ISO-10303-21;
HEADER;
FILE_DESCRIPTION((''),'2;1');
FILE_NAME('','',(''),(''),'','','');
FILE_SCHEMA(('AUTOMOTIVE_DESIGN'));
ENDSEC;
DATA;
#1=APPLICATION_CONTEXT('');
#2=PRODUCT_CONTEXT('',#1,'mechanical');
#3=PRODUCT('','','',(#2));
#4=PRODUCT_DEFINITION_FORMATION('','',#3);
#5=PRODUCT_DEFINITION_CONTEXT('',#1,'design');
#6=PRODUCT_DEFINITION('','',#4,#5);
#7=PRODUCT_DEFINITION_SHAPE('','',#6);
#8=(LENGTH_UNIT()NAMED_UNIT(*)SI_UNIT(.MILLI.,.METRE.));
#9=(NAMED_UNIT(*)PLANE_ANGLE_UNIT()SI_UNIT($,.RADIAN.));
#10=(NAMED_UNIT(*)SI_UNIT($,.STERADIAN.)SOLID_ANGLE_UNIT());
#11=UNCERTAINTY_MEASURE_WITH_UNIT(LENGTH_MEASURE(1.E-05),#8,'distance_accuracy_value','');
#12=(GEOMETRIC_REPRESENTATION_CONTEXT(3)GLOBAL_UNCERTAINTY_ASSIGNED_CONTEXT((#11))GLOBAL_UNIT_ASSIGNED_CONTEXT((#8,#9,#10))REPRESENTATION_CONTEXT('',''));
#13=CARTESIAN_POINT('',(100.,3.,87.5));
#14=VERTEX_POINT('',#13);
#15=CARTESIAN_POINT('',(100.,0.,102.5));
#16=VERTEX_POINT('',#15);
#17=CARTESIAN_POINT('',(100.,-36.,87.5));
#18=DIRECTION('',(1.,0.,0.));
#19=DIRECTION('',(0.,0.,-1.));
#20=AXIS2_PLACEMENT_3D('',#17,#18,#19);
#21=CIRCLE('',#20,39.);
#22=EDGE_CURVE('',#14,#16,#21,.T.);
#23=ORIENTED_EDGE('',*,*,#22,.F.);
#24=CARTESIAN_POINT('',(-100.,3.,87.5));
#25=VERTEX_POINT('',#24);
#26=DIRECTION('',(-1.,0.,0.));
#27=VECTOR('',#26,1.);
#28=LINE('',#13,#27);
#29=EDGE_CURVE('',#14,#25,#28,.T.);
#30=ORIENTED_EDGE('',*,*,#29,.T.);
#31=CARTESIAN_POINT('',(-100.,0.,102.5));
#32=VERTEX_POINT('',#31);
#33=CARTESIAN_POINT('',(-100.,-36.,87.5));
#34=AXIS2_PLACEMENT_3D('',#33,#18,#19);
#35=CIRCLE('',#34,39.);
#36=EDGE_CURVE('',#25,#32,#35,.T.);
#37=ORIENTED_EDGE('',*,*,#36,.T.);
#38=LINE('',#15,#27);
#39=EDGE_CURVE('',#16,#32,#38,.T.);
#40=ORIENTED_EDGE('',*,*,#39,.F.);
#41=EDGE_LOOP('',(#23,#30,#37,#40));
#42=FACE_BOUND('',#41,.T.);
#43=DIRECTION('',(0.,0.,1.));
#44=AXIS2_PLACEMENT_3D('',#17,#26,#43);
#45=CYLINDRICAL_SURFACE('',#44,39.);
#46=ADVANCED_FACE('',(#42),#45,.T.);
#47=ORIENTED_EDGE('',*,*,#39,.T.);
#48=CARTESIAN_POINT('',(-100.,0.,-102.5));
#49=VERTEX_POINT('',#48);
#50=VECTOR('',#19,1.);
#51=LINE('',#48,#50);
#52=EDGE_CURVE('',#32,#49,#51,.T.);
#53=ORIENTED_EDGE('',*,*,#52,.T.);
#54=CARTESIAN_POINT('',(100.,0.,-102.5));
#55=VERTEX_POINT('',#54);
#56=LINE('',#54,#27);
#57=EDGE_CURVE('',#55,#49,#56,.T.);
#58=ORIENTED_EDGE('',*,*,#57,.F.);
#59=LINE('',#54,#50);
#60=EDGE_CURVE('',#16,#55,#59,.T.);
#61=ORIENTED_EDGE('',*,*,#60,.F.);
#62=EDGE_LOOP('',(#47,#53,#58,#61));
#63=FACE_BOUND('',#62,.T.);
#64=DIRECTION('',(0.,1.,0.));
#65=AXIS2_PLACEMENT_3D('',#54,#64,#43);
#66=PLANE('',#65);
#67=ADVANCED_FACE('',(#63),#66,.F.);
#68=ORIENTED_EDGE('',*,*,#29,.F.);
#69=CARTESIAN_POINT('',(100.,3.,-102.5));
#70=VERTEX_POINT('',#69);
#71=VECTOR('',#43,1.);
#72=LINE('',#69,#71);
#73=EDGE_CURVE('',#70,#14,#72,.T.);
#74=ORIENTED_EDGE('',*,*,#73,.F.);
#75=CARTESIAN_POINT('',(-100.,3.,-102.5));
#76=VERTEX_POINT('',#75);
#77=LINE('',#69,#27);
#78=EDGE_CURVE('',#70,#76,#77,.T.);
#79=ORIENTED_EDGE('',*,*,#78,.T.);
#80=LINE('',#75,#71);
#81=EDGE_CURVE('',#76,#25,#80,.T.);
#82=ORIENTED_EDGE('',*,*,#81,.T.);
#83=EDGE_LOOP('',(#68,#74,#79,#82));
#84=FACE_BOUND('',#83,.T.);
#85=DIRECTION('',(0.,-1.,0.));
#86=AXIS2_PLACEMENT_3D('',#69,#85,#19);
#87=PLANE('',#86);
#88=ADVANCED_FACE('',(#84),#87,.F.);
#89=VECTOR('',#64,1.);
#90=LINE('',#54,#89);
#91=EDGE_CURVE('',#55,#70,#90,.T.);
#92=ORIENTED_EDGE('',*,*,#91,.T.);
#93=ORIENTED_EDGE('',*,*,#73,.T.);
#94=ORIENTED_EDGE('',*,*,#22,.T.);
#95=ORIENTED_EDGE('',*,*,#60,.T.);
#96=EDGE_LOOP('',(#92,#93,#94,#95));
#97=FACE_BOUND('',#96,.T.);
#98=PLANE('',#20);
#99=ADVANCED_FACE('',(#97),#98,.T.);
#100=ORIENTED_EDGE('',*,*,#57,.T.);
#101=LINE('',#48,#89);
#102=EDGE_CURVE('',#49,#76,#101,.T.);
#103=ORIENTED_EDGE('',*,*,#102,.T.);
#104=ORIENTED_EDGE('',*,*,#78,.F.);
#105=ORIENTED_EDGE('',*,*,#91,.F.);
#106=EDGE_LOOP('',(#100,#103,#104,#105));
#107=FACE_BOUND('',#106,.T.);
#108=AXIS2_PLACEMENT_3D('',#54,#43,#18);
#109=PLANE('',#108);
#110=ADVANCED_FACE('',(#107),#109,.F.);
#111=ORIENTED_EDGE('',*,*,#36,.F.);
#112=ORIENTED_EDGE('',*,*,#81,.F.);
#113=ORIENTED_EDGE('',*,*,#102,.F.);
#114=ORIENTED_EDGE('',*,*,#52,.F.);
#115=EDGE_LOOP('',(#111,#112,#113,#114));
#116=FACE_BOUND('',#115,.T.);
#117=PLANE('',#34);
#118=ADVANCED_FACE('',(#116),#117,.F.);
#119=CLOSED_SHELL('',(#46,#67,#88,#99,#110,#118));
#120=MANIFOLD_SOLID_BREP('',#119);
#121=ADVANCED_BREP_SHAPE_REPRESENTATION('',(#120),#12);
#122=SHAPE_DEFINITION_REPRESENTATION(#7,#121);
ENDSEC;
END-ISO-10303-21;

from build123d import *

# Parameters (mm, degrees)
SALIENTE_EXTRUIR1_DEPTH = 100


with BuildPart() as part:
    # Croquis3 → Saliente-Extruir1 (new body, symmetric)
    with BuildSketch(Plane(origin=(0, 0, 0), x_dir=(0, 0, -1), z_dir=(1, 0, 0))):
        with BuildLine():
            Line((102.5, 0), (-102.5, 0))
            ThreePointArc((-102.5, 0), (-95.14852927, 2.242646352), (-87.5, 3))
            Line((-87.5, 3), (102.5, 3))
            Line((102.5, 3), (102.5, 0))
        make_face()
    extrude(amount=SALIENTE_EXTRUIR1_DEPTH, both=True)


solid = part.part
